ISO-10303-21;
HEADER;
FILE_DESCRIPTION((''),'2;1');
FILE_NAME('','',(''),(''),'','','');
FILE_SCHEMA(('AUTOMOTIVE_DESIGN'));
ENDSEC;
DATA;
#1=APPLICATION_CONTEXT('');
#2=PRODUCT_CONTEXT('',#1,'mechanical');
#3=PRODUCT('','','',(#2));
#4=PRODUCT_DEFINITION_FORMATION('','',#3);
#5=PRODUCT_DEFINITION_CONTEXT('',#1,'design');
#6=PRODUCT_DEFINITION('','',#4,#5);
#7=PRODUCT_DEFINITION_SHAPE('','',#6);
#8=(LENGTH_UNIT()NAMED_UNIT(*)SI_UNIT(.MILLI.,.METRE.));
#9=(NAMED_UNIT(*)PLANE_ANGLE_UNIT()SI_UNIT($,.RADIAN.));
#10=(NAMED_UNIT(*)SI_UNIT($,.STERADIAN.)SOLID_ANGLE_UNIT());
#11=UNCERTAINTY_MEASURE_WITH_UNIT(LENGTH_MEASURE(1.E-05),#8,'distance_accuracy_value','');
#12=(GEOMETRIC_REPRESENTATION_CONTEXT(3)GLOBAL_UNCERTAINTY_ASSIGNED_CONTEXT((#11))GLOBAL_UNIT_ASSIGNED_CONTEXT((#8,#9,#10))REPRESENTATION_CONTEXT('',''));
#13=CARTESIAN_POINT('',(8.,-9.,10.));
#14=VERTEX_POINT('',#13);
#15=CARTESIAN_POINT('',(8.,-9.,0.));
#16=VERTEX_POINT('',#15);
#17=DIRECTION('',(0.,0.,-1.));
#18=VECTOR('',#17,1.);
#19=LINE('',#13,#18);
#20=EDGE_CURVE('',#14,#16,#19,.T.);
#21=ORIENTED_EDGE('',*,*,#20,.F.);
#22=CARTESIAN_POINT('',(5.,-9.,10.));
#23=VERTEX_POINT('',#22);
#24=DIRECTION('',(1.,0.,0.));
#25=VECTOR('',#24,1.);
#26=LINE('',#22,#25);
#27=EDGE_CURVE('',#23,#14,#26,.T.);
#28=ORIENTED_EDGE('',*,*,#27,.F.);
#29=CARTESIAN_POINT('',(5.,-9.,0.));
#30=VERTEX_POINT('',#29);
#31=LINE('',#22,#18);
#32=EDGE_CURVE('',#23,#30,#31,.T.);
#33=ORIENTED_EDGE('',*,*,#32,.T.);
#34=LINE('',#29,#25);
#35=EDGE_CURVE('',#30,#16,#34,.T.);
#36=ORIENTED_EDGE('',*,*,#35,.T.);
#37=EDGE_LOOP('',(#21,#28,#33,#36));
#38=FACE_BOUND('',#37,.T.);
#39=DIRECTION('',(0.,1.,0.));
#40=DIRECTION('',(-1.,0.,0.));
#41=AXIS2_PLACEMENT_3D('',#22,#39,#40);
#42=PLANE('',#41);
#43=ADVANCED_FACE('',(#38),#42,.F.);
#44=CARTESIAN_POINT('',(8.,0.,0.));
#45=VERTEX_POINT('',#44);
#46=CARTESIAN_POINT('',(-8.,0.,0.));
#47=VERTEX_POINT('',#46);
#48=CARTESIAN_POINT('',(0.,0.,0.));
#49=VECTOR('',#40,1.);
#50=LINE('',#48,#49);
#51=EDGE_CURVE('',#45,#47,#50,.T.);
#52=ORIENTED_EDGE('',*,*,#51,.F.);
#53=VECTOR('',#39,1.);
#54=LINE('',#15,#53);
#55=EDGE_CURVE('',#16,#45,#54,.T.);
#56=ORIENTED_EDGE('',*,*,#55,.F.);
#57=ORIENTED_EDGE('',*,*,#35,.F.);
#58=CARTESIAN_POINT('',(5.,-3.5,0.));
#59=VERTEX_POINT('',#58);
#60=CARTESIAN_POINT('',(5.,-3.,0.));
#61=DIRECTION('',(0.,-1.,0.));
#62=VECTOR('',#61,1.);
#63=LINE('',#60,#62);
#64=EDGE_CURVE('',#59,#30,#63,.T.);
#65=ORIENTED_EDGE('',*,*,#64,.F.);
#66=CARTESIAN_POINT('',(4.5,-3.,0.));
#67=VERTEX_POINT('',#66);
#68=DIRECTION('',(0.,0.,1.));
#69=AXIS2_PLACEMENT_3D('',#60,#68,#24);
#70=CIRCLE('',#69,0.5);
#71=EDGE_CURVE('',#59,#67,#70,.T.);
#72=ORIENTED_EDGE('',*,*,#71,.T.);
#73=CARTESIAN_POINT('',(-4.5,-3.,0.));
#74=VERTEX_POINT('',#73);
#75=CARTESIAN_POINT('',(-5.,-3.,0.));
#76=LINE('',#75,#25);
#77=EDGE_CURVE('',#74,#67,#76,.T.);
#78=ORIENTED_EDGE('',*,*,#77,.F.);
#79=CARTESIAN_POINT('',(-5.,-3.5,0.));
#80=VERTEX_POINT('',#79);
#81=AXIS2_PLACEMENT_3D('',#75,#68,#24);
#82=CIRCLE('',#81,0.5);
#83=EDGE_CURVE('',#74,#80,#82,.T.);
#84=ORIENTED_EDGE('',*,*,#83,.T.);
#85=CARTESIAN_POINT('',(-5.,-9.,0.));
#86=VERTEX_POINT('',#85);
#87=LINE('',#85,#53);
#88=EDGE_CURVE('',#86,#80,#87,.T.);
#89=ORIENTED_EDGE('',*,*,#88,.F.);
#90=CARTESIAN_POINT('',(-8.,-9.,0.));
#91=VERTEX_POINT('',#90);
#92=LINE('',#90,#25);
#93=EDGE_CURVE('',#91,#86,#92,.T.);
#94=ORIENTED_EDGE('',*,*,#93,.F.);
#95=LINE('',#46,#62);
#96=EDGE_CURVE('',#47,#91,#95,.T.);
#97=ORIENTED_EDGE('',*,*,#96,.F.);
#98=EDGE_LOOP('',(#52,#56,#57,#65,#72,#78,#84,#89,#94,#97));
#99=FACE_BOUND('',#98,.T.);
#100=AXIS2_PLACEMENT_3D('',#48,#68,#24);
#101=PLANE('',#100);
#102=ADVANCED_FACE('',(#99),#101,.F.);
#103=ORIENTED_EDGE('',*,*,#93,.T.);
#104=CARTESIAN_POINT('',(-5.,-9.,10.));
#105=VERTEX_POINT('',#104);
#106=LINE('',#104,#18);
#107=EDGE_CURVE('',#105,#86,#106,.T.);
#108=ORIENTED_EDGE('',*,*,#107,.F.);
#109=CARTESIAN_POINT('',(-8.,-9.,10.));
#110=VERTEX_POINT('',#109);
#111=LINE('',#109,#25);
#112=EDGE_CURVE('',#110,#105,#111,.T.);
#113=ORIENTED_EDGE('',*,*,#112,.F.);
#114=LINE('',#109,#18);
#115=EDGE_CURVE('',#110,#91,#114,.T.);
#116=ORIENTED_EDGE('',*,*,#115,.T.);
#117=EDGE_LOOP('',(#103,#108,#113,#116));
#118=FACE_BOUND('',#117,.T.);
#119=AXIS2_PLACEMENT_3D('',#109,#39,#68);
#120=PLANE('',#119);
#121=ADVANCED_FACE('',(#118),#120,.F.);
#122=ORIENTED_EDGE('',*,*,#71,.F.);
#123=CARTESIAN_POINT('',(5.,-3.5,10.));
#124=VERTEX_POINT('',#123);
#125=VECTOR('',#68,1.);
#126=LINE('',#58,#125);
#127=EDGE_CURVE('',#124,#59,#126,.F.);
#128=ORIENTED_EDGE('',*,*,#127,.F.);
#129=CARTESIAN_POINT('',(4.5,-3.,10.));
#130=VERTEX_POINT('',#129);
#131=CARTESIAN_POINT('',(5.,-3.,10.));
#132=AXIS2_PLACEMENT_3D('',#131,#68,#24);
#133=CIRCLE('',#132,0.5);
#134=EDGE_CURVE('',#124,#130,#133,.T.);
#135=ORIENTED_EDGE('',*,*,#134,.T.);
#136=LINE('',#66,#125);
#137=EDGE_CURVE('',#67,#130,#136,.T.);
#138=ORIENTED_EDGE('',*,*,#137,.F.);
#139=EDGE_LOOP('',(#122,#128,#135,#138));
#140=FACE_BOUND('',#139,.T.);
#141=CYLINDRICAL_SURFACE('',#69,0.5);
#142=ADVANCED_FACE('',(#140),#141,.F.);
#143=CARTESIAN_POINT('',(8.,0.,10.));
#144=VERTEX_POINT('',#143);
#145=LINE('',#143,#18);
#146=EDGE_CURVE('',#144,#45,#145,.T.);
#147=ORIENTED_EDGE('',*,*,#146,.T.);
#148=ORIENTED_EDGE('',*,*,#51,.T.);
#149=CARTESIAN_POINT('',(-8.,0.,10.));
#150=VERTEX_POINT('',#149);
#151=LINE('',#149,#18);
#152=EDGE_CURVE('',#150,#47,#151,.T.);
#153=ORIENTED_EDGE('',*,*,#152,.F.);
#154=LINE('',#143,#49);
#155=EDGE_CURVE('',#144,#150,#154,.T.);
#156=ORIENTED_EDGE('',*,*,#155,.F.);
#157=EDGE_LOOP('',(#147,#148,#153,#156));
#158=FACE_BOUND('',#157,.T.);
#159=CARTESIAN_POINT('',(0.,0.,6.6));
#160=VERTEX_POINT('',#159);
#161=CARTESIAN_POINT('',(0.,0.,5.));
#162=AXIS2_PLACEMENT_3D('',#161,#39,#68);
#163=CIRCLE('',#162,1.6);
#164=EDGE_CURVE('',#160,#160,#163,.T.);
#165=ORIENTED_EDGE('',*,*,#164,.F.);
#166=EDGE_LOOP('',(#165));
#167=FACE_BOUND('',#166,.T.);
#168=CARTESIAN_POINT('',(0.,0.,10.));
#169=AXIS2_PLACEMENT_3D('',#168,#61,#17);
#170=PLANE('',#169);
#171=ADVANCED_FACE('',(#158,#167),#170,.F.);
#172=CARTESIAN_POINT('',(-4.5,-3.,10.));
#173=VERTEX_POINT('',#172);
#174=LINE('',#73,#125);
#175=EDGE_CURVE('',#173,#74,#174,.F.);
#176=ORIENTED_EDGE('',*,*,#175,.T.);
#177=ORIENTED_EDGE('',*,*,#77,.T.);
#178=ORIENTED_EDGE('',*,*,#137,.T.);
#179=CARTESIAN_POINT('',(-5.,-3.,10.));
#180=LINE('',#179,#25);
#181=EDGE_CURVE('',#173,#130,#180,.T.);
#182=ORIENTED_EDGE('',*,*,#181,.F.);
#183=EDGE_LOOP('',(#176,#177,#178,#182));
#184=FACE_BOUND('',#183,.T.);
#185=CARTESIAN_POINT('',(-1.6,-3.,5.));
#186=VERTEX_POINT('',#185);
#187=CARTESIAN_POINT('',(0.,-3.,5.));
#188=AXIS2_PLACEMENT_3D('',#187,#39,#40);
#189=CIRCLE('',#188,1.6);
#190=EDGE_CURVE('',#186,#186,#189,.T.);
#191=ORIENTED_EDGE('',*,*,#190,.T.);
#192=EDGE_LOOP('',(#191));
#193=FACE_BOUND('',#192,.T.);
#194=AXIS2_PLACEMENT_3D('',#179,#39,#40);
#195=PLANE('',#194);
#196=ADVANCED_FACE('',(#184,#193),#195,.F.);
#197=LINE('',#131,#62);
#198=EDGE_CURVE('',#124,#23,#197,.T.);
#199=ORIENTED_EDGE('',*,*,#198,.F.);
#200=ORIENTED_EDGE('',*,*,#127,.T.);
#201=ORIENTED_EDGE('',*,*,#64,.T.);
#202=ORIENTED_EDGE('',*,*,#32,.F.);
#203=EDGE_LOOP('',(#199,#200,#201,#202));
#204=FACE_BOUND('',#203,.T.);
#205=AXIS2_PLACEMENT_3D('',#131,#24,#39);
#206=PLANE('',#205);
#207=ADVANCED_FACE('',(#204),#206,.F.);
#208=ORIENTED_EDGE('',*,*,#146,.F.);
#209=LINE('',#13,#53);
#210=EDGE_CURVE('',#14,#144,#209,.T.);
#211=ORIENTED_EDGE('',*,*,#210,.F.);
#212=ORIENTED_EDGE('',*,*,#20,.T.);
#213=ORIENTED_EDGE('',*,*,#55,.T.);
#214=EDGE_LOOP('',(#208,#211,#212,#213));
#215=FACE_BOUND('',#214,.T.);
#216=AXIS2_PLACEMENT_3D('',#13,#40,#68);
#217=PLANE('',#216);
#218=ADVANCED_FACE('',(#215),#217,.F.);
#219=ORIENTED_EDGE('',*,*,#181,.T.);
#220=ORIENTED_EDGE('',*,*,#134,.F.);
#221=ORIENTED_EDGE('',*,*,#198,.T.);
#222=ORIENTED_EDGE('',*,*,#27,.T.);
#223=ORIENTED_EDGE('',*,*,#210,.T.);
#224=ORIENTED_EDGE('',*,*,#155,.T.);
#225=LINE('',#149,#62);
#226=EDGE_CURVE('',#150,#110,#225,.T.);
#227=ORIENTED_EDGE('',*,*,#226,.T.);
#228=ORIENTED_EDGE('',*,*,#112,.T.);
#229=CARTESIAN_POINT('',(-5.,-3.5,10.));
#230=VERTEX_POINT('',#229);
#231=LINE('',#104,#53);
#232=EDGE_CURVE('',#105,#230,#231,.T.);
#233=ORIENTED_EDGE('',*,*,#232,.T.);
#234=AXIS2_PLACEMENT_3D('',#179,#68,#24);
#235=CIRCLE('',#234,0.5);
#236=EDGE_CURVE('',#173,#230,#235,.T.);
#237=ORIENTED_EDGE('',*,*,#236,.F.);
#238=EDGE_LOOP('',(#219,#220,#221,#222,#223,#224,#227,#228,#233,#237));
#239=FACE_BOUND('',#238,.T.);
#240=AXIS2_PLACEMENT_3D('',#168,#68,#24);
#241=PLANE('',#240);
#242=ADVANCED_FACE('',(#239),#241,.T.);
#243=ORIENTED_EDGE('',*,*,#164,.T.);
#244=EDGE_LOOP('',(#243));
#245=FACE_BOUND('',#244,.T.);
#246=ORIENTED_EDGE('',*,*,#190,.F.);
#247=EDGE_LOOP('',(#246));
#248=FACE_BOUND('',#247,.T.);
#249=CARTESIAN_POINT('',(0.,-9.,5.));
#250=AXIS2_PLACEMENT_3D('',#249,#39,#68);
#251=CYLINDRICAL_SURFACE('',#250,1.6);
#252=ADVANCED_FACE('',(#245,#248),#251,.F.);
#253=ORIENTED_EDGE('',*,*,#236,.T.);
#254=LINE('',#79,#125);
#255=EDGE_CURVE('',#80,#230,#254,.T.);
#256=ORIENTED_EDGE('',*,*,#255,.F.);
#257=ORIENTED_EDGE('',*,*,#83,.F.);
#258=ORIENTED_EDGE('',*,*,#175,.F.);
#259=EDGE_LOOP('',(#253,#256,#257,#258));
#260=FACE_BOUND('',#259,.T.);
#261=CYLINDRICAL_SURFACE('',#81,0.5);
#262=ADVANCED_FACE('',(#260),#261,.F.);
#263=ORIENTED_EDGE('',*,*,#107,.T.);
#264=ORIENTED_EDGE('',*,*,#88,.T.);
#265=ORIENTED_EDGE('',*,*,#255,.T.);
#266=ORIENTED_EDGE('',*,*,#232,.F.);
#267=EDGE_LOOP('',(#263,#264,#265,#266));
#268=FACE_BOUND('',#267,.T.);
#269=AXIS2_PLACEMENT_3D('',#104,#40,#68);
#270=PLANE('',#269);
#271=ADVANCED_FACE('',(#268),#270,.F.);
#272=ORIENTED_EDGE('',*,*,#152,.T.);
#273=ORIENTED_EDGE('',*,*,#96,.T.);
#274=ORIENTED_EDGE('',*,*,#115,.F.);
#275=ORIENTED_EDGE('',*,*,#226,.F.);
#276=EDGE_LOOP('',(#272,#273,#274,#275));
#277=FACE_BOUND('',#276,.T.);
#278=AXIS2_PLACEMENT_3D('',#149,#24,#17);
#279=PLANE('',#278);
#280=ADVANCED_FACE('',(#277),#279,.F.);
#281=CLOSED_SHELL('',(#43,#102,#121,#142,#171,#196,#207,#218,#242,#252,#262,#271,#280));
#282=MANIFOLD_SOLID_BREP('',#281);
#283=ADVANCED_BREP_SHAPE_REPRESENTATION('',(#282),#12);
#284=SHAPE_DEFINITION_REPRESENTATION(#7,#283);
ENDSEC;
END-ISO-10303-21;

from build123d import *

# Parameters (mm, degrees)
EXTRUDE_1_DEPTH     = 10
SKETCH_2_R          = 1.6
CUT_EXTRUDE_1_DEPTH = 16.652475842
SKETCH_5_R          = 0.5
CUT_EXTRUDE_2_DEPTH = 16.652475842


with BuildPart() as part:
    # 草图1 → 凸台-拉伸1 (new body)
    with BuildSketch(Plane.XY):
        Polygon((0, 0), (-8, 0), (-8, -9), (-5, -9), (-5, -3), (5, -3), (5, -9), (8, -9), (8, 0), align=None)
    extrude(amount=EXTRUDE_1_DEPTH)

    # 草图2 → 切除-拉伸1 (cut, through all)
    with BuildSketch(Plane(origin=(0, 0, 0), x_dir=(1, 0, 0), z_dir=(0, 1, 0))):
        with Locations(Location((0, -5, 0), (0, 0, 270))):
            Circle(SKETCH_2_R)
    extrude(amount=-CUT_EXTRUDE_1_DEPTH, mode=Mode.SUBTRACT)

    # 草图5 → 切除-拉伸2 (cut, through all)
    with BuildSketch(Plane.XY.offset(10)):
        with Locations((-5, -3)):
            Circle(SKETCH_5_R)
        with Locations((5, -3)):
            Circle(SKETCH_5_R)
    extrude(amount=-CUT_EXTRUDE_2_DEPTH, mode=Mode.SUBTRACT)


solid = part.part
